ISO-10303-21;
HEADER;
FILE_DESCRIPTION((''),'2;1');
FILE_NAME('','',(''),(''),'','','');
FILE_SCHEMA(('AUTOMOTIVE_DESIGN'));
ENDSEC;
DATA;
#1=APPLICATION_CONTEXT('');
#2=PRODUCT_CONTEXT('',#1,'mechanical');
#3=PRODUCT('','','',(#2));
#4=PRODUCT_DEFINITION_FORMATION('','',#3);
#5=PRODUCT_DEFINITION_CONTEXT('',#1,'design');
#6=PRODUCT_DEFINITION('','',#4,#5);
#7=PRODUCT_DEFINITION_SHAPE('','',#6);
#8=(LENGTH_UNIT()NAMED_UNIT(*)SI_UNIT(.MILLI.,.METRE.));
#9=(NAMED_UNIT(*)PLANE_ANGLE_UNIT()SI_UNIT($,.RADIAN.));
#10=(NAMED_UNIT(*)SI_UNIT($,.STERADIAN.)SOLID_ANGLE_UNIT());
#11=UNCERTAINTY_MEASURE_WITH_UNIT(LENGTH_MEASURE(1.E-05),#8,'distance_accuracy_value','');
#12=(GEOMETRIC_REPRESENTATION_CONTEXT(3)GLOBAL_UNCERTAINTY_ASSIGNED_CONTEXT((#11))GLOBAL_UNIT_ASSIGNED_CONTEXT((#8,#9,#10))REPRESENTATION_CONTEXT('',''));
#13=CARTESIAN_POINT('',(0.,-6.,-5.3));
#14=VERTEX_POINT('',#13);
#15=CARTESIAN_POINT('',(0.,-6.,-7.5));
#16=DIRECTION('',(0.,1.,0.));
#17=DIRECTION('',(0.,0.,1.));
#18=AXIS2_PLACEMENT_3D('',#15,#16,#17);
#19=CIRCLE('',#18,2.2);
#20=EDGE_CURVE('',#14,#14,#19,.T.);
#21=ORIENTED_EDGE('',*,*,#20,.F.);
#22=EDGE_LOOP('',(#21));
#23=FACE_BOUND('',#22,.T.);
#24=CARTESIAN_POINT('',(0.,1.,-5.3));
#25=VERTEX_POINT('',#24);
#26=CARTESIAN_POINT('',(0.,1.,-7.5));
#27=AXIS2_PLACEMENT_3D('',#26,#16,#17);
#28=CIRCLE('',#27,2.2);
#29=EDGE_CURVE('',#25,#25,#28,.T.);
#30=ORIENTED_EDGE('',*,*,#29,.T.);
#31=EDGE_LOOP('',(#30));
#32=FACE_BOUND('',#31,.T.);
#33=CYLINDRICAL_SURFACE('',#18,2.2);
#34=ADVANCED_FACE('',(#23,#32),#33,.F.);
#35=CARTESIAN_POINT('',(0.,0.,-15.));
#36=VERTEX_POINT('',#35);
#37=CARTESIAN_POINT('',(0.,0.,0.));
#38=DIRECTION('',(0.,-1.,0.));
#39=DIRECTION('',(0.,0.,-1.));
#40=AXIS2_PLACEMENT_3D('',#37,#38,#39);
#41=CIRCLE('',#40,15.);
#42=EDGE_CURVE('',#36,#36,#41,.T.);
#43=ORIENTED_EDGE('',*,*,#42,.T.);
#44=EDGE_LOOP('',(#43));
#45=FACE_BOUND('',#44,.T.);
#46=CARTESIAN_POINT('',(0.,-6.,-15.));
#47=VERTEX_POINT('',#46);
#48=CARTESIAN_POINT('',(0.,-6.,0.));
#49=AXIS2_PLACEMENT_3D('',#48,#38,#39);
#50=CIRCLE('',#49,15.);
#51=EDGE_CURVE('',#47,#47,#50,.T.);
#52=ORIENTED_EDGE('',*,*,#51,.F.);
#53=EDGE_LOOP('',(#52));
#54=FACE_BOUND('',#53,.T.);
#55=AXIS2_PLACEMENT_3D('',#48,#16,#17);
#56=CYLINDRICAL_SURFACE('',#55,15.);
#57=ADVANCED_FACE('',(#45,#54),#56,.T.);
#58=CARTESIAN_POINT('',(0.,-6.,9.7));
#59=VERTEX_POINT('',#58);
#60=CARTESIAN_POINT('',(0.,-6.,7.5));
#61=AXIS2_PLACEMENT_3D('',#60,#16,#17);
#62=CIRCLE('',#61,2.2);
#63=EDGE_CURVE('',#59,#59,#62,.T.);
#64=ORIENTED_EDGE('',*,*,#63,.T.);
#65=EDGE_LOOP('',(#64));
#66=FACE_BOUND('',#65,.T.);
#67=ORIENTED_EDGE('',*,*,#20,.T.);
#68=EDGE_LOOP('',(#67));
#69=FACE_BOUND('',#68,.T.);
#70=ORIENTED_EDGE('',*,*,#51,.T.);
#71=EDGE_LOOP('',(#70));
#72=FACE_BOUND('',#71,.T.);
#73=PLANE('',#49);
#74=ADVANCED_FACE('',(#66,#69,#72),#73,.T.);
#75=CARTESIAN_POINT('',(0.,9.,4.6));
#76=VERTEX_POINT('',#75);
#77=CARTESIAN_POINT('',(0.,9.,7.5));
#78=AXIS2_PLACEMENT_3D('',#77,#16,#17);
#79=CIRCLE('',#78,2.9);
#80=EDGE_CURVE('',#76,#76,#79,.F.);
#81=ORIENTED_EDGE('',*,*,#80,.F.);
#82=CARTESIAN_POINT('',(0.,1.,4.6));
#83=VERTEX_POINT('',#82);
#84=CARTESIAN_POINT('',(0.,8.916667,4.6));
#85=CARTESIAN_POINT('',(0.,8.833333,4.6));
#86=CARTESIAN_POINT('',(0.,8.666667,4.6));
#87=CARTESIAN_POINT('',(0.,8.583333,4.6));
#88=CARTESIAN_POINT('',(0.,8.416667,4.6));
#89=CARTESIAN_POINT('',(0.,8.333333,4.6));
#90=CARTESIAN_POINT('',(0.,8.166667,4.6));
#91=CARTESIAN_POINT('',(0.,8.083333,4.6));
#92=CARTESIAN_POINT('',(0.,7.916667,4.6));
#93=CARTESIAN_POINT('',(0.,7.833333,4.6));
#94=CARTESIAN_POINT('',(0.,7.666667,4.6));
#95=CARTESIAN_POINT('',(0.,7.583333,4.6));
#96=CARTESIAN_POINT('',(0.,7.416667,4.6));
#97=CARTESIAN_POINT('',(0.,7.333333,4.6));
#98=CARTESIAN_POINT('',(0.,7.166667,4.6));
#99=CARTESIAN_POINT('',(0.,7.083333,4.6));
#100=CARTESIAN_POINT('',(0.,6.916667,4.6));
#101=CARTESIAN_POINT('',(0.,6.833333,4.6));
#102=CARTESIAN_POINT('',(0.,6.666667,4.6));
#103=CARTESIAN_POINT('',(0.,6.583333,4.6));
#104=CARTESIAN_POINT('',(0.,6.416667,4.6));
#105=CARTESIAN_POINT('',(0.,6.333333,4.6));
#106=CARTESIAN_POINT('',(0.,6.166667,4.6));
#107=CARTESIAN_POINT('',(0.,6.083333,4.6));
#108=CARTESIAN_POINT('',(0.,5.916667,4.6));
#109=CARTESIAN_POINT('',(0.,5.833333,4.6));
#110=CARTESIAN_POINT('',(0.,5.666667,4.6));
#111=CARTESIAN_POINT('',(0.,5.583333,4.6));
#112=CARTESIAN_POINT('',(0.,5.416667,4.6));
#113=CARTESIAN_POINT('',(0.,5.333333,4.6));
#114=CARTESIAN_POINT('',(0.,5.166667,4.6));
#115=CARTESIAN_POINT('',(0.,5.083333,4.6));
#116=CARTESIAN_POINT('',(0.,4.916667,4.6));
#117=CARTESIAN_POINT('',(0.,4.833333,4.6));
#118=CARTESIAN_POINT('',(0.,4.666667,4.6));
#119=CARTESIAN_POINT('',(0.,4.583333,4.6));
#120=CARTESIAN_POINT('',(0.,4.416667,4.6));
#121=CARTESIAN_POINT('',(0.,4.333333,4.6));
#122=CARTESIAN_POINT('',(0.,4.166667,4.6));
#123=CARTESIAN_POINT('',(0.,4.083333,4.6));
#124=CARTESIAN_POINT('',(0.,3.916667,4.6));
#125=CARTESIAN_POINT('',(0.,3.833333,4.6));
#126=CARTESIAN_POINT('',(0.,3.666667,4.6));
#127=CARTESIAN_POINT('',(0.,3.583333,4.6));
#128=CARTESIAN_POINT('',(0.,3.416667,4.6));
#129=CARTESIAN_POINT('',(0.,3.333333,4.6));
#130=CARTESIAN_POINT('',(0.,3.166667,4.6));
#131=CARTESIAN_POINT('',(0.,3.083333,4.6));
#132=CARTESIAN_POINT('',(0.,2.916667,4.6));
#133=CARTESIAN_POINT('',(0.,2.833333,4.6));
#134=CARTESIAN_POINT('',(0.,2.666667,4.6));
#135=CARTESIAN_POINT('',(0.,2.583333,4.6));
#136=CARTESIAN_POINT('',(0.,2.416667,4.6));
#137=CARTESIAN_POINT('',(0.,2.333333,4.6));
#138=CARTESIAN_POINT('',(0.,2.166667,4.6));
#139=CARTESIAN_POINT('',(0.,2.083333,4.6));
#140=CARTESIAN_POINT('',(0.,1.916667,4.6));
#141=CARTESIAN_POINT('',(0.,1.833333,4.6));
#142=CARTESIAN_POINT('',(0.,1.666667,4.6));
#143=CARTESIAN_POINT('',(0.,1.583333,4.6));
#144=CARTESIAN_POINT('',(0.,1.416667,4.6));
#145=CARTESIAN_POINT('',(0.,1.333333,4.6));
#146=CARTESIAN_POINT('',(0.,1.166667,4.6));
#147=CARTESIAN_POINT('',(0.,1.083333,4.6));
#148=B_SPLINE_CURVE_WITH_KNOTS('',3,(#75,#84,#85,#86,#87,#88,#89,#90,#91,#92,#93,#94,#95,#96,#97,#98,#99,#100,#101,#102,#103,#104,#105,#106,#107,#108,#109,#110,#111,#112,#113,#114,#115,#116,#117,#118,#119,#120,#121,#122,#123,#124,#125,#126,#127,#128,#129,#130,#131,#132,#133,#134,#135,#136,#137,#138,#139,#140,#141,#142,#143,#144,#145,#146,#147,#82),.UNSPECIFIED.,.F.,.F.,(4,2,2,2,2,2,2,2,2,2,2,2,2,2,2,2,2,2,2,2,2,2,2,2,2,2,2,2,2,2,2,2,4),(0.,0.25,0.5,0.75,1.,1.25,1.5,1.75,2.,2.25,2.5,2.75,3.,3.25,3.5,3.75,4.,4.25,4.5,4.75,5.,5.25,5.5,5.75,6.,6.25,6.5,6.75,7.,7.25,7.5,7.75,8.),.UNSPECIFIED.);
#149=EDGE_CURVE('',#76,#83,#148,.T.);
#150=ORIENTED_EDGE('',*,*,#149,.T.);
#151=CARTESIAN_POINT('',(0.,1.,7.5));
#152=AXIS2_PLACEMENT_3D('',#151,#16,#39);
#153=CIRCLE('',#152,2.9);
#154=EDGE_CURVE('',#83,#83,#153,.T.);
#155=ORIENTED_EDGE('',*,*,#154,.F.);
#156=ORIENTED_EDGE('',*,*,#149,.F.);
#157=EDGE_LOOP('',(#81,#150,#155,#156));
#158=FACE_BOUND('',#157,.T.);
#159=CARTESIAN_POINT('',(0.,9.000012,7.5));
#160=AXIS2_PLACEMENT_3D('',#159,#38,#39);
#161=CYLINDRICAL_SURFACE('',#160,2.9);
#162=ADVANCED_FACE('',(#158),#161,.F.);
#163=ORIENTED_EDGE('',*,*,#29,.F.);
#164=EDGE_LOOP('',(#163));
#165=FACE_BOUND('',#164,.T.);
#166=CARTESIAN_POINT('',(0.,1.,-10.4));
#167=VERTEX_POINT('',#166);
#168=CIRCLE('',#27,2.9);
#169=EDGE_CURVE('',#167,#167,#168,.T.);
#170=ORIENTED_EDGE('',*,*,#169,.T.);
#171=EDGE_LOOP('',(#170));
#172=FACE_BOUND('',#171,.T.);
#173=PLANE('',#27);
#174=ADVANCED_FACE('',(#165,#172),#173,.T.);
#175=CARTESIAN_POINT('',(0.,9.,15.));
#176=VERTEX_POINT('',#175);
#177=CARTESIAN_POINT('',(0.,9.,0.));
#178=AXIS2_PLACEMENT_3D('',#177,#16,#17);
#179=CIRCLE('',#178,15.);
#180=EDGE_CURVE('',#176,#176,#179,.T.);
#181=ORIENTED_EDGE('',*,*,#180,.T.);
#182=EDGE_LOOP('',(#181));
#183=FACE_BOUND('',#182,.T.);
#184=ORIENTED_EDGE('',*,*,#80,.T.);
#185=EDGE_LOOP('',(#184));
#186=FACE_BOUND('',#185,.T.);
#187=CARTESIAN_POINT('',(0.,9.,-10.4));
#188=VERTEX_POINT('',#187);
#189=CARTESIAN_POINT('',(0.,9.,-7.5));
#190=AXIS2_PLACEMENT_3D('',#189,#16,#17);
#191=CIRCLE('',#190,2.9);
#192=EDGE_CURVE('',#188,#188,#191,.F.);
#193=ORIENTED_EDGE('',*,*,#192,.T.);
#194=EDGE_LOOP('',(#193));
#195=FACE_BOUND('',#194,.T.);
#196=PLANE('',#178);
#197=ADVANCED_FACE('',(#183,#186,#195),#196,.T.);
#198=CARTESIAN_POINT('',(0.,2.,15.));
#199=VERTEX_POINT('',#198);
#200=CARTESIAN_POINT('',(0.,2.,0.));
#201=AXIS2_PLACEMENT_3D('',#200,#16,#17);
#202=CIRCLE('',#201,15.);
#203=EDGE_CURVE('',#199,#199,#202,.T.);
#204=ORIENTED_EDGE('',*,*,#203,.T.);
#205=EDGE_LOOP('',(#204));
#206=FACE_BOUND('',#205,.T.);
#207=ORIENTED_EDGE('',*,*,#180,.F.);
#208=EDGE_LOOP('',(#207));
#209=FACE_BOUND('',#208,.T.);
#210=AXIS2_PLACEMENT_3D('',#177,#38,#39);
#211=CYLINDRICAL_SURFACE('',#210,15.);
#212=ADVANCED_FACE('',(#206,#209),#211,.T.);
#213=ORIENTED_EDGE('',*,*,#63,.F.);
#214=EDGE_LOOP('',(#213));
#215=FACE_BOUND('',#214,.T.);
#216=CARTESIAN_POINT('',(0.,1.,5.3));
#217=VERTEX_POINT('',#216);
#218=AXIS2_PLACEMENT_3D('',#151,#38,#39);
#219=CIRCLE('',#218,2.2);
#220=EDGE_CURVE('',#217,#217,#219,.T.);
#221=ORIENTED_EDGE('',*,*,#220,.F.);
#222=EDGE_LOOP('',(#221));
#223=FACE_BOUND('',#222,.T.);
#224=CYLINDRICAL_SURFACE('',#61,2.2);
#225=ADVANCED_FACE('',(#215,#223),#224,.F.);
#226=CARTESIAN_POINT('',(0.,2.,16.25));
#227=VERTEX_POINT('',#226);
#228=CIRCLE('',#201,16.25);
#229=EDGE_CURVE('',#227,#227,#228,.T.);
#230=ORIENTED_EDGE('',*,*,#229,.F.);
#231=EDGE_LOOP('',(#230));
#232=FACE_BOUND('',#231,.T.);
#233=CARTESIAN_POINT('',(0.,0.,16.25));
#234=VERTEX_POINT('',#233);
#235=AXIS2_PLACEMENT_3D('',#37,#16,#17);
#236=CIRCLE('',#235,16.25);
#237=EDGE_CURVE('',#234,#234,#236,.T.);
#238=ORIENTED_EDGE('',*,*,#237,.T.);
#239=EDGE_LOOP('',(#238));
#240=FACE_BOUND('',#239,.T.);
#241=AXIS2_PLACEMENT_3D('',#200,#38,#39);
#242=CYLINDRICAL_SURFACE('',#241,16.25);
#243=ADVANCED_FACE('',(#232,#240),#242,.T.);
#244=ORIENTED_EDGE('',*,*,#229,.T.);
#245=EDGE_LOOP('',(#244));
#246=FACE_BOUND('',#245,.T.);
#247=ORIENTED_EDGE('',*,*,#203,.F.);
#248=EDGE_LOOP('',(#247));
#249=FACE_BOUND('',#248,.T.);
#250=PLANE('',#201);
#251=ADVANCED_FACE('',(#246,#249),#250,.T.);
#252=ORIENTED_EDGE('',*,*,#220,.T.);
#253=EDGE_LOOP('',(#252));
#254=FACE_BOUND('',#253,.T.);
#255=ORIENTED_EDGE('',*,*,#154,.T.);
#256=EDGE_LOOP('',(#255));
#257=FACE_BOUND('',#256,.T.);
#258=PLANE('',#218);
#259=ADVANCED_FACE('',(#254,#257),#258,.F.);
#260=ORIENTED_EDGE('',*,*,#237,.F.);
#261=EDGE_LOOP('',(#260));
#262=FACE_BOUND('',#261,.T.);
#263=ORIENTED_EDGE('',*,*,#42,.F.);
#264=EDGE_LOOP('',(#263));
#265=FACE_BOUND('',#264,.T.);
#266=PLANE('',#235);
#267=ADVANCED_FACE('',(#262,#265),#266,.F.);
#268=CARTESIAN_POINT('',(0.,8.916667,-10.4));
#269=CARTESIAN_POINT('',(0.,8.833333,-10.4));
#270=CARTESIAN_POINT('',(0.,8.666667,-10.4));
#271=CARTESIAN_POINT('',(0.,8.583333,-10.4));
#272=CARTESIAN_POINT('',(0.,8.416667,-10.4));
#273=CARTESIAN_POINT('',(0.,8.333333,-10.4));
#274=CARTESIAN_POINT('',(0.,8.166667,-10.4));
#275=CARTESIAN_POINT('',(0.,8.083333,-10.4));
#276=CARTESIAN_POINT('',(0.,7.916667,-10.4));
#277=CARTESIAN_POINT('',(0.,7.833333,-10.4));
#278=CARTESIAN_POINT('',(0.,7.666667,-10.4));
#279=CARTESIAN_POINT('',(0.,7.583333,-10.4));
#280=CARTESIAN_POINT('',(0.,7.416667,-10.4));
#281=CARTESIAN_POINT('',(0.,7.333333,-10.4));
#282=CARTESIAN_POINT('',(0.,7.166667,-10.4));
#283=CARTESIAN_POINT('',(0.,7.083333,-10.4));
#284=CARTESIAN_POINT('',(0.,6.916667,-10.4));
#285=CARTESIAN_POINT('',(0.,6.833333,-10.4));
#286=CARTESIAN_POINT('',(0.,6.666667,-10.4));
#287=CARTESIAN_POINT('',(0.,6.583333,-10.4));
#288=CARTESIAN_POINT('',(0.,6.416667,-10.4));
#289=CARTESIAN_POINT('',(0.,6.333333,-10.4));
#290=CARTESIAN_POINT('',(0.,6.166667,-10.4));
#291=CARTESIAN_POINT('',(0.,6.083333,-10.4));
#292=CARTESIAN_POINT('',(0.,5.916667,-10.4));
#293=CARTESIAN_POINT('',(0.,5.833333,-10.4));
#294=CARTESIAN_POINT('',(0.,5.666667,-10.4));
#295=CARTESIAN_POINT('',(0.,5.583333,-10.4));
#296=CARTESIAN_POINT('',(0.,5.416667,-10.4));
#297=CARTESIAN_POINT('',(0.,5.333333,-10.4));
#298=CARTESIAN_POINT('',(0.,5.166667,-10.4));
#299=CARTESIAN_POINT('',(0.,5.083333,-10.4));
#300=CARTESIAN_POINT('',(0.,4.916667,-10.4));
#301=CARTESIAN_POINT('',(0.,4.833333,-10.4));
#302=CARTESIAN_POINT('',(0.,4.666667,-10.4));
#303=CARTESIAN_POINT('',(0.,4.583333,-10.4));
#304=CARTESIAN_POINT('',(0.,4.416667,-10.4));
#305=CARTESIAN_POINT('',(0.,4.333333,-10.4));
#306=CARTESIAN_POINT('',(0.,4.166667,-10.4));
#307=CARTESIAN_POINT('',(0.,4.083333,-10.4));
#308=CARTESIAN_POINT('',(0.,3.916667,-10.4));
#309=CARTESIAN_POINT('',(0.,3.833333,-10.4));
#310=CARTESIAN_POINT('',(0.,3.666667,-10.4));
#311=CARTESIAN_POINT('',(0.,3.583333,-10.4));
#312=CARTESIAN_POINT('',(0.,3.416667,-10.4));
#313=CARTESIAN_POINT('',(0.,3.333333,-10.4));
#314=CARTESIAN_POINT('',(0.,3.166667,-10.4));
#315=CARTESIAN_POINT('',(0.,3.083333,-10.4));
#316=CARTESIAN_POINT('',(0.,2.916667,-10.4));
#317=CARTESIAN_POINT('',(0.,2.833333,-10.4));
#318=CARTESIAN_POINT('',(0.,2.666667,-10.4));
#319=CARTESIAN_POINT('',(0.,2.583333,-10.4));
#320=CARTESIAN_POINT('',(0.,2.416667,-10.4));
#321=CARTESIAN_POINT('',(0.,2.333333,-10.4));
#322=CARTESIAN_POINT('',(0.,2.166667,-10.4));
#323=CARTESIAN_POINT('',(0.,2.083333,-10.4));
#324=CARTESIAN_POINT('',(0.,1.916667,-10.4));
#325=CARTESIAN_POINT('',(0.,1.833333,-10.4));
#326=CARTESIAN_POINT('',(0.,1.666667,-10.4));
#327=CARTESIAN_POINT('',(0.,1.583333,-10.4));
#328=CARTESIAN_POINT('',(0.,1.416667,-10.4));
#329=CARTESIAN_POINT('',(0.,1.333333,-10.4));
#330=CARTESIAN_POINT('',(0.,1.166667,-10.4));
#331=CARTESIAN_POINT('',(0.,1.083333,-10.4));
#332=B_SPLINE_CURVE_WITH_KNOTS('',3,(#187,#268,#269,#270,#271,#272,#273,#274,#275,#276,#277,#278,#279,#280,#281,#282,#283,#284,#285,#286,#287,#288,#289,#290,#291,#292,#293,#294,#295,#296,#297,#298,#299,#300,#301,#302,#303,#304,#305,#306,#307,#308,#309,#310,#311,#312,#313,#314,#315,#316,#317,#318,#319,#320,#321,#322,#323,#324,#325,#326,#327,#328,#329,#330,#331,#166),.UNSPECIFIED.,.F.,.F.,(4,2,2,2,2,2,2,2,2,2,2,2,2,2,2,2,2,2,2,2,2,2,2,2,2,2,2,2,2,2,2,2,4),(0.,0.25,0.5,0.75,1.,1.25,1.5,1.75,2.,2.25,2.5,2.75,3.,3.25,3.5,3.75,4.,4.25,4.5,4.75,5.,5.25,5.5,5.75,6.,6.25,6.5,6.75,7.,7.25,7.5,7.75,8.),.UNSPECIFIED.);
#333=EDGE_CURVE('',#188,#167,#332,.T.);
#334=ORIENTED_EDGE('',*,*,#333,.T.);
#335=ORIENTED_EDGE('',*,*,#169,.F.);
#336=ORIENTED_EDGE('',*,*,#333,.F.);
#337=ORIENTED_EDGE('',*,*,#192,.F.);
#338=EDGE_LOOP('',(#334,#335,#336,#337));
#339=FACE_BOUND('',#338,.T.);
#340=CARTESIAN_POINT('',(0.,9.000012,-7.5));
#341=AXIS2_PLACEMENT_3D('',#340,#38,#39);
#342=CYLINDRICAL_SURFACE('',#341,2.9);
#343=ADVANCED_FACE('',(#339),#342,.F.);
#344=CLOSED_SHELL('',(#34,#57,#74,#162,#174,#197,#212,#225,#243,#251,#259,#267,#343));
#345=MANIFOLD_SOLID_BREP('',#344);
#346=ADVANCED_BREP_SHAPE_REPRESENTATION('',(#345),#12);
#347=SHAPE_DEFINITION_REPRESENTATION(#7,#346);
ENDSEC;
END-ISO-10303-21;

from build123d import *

# Parameters (mm, degrees)
SKETCH1_R               = 16.25
BOSS_EXTRUDE1_DEPTH     = 2
SKETCH2_R               = 15
BOSS_EXTRUDE2_DEPTH     = 6
BOSS_EXTRUDE3_START     = 7
SKETCH3_R               = 15
BOSS_EXTRUDE3_DEPTH     = 7
CUT_EXTRUDE1_DEPTH      = 28.443123
CUT_EXTRUDE1_DEPTH_BACK = 8
SKETCH4_R               = 2.9
CUT_EXTRUDE2_DEPTH      = 25.33361872
CUT_EXTRUDE2_DEPTH_BACK = 25.33361872
SKETCH5_R               = 2.2


with BuildPart() as part:
    # Sketch1 → Boss-Extrude1 (new body)
    with BuildSketch(Plane(origin=(0, 0, 0), x_dir=(1, 0, 0), z_dir=(0, 1, 0))):
        with Locations(Location((0, 0, 0), (0, 0, 270))):
            Circle(SKETCH1_R)
    extrude(amount=BOSS_EXTRUDE1_DEPTH)

    # Sketch2 → Boss-Extrude2 (add)
    with BuildSketch(Plane.XZ):
        with Locations(Location((0, 0, 0), (0, 0, 270))):
            Circle(SKETCH2_R)
    extrude(amount=BOSS_EXTRUDE2_DEPTH)

    # Sketch3 → Boss-Extrude3 (add)
    with BuildSketch(Plane(origin=(0, 2, 0), x_dir=(1, 0, 0), z_dir=(0, 1, 0)).offset(BOSS_EXTRUDE3_START)):
        with Locations(Location((0, 0, 0), (0, 0, 90))):
            Circle(SKETCH3_R)
    extrude(amount=-BOSS_EXTRUDE3_DEPTH)

    # Sketch4 → Cut-Extrude1 (cut, two sides: drawn at the far end of the back side and taken through both)
    with BuildSketch(Plane(origin=(0, 9, 0), x_dir=(1, 0, 0), z_dir=(0, 1, 0)).offset(-CUT_EXTRUDE1_DEPTH_BACK)):
        with Locations(Location((0, 7.5, 0), (0, 0, 90))):
            Circle(SKETCH4_R)
        with Locations(Location((0, -7.5, 0), (0, 0, 90))):
            Circle(SKETCH4_R)
    extrude(amount=CUT_EXTRUDE1_DEPTH + CUT_EXTRUDE1_DEPTH_BACK, mode=Mode.SUBTRACT)

    # Sketch5 → Cut-Extrude2 (cut, two sides: drawn at the far end of the back side and taken through both)
    with BuildSketch(Plane(origin=(0, 1, 0), x_dir=(1, 0, 0), z_dir=(0, 1, 0)).offset(-CUT_EXTRUDE2_DEPTH_BACK)):
        with Locations(Location((0, 7.5, 0), (0, 0, 270))):
            Circle(SKETCH5_R)
        with Locations(Location((0, -7.5, 0), (0, 0, 270))):
            Circle(SKETCH5_R)
    extrude(amount=CUT_EXTRUDE2_DEPTH + CUT_EXTRUDE2_DEPTH_BACK, mode=Mode.SUBTRACT)


solid = part.part
